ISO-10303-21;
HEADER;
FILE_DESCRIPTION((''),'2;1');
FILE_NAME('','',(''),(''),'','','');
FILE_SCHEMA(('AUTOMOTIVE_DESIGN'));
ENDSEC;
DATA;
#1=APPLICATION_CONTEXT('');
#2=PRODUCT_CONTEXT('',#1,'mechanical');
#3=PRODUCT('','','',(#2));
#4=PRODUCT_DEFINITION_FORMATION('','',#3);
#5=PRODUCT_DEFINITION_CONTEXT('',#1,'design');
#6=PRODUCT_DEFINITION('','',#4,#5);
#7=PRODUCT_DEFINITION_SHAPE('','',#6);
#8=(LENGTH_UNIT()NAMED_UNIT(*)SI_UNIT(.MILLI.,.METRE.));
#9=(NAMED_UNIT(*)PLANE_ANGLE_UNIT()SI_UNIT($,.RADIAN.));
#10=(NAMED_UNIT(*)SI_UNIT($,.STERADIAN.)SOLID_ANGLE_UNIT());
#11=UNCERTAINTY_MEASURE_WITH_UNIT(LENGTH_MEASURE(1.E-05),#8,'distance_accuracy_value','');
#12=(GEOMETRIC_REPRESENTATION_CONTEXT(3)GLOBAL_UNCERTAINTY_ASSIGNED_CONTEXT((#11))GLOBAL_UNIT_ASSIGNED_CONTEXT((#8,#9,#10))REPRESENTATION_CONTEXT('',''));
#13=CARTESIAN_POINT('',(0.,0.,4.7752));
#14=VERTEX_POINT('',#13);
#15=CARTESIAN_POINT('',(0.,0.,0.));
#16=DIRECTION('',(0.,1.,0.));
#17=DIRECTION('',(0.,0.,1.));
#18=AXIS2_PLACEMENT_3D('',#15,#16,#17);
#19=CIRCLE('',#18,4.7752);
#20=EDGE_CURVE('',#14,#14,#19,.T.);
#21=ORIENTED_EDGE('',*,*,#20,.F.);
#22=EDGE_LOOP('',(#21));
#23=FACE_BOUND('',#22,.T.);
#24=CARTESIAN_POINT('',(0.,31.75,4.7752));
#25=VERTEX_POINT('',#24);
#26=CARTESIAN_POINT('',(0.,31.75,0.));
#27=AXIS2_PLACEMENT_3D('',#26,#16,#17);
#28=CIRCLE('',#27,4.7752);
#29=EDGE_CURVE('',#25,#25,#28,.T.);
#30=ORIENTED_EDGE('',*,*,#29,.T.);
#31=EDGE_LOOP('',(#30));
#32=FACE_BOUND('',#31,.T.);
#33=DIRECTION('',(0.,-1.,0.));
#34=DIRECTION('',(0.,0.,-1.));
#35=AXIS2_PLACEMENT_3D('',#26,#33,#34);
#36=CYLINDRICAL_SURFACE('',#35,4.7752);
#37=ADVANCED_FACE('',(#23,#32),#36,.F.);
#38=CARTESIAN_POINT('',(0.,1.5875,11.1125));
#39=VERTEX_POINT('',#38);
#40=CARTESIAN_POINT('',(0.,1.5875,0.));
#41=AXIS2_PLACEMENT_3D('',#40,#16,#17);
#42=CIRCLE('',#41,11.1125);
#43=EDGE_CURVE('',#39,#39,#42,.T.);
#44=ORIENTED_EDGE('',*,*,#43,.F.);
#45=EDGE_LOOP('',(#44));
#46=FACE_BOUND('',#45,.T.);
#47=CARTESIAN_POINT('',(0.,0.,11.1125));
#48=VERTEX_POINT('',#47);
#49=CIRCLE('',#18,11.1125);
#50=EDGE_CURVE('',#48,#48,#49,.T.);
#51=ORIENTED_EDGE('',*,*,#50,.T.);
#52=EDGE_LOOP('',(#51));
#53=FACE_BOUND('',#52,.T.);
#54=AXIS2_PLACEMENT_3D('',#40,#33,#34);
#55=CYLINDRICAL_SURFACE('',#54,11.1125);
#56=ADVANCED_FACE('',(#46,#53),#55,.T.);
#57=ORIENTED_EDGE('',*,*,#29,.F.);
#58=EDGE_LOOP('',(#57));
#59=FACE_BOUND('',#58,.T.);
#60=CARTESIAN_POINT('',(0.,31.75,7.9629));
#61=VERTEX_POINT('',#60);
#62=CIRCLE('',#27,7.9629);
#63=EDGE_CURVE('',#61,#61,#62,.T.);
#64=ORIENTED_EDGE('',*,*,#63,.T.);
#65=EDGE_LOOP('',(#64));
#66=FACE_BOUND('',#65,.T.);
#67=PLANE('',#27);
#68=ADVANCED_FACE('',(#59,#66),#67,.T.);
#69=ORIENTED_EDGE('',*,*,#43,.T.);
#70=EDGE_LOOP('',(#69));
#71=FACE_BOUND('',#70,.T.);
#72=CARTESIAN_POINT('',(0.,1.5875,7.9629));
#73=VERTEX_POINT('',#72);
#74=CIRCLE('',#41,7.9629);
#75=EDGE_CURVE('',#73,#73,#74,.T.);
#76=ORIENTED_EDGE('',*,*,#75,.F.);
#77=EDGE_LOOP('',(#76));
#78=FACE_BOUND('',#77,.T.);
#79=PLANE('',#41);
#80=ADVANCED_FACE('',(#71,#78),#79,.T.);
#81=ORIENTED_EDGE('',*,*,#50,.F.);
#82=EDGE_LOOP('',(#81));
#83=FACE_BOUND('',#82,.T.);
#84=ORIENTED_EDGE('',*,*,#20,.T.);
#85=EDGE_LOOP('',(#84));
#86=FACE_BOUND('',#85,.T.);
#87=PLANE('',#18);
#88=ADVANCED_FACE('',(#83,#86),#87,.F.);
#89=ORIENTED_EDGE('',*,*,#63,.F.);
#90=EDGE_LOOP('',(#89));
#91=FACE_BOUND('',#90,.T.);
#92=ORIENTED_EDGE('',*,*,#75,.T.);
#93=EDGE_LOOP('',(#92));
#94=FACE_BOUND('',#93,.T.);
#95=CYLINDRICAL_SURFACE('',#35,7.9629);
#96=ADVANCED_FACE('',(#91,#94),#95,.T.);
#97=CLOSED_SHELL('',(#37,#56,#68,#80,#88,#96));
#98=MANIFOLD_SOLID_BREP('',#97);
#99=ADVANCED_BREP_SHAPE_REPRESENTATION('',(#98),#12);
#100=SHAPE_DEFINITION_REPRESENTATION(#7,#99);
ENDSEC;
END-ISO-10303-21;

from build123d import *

# Parameters (mm, degrees)
SKETCH2_R           = 7.9629
SKETCH2_R_2         = 4.7752
BOSS_EXTRUDE1_DEPTH = 31.75
SKETCH3_R           = 11.1125
SKETCH3_R_2         = 7.9629
BOSS_EXTRUDE2_DEPTH = 1.5875


with BuildPart() as part:
    # Sketch2 → Boss-Extrude1 (new body)
    with BuildSketch(Plane(origin=(0, 0, 0), x_dir=(1, 0, 0), z_dir=(0, 1, 0))):
        with Locations(Location((0, 0, 0), (0, 0, 270))):
            Circle(SKETCH2_R)
        with Locations(Location((0, 0, 0), (0, 0, 270))):
            Circle(SKETCH2_R_2, mode=Mode.SUBTRACT)
    extrude(amount=BOSS_EXTRUDE1_DEPTH)

    # Sketch3 → Boss-Extrude2 (add)
    with BuildSketch(Plane(origin=(0, 0, 0), x_dir=(1, 0, 0), z_dir=(0, 1, 0))):
        with Locations(Location((0, 0, 0), (0, 0, 270))):
            Circle(SKETCH3_R)
        with Locations(Location((0, 0, 0), (0, 0, 270))):
            Circle(SKETCH3_R_2, mode=Mode.SUBTRACT)
    extrude(amount=BOSS_EXTRUDE2_DEPTH)


solid = part.part
